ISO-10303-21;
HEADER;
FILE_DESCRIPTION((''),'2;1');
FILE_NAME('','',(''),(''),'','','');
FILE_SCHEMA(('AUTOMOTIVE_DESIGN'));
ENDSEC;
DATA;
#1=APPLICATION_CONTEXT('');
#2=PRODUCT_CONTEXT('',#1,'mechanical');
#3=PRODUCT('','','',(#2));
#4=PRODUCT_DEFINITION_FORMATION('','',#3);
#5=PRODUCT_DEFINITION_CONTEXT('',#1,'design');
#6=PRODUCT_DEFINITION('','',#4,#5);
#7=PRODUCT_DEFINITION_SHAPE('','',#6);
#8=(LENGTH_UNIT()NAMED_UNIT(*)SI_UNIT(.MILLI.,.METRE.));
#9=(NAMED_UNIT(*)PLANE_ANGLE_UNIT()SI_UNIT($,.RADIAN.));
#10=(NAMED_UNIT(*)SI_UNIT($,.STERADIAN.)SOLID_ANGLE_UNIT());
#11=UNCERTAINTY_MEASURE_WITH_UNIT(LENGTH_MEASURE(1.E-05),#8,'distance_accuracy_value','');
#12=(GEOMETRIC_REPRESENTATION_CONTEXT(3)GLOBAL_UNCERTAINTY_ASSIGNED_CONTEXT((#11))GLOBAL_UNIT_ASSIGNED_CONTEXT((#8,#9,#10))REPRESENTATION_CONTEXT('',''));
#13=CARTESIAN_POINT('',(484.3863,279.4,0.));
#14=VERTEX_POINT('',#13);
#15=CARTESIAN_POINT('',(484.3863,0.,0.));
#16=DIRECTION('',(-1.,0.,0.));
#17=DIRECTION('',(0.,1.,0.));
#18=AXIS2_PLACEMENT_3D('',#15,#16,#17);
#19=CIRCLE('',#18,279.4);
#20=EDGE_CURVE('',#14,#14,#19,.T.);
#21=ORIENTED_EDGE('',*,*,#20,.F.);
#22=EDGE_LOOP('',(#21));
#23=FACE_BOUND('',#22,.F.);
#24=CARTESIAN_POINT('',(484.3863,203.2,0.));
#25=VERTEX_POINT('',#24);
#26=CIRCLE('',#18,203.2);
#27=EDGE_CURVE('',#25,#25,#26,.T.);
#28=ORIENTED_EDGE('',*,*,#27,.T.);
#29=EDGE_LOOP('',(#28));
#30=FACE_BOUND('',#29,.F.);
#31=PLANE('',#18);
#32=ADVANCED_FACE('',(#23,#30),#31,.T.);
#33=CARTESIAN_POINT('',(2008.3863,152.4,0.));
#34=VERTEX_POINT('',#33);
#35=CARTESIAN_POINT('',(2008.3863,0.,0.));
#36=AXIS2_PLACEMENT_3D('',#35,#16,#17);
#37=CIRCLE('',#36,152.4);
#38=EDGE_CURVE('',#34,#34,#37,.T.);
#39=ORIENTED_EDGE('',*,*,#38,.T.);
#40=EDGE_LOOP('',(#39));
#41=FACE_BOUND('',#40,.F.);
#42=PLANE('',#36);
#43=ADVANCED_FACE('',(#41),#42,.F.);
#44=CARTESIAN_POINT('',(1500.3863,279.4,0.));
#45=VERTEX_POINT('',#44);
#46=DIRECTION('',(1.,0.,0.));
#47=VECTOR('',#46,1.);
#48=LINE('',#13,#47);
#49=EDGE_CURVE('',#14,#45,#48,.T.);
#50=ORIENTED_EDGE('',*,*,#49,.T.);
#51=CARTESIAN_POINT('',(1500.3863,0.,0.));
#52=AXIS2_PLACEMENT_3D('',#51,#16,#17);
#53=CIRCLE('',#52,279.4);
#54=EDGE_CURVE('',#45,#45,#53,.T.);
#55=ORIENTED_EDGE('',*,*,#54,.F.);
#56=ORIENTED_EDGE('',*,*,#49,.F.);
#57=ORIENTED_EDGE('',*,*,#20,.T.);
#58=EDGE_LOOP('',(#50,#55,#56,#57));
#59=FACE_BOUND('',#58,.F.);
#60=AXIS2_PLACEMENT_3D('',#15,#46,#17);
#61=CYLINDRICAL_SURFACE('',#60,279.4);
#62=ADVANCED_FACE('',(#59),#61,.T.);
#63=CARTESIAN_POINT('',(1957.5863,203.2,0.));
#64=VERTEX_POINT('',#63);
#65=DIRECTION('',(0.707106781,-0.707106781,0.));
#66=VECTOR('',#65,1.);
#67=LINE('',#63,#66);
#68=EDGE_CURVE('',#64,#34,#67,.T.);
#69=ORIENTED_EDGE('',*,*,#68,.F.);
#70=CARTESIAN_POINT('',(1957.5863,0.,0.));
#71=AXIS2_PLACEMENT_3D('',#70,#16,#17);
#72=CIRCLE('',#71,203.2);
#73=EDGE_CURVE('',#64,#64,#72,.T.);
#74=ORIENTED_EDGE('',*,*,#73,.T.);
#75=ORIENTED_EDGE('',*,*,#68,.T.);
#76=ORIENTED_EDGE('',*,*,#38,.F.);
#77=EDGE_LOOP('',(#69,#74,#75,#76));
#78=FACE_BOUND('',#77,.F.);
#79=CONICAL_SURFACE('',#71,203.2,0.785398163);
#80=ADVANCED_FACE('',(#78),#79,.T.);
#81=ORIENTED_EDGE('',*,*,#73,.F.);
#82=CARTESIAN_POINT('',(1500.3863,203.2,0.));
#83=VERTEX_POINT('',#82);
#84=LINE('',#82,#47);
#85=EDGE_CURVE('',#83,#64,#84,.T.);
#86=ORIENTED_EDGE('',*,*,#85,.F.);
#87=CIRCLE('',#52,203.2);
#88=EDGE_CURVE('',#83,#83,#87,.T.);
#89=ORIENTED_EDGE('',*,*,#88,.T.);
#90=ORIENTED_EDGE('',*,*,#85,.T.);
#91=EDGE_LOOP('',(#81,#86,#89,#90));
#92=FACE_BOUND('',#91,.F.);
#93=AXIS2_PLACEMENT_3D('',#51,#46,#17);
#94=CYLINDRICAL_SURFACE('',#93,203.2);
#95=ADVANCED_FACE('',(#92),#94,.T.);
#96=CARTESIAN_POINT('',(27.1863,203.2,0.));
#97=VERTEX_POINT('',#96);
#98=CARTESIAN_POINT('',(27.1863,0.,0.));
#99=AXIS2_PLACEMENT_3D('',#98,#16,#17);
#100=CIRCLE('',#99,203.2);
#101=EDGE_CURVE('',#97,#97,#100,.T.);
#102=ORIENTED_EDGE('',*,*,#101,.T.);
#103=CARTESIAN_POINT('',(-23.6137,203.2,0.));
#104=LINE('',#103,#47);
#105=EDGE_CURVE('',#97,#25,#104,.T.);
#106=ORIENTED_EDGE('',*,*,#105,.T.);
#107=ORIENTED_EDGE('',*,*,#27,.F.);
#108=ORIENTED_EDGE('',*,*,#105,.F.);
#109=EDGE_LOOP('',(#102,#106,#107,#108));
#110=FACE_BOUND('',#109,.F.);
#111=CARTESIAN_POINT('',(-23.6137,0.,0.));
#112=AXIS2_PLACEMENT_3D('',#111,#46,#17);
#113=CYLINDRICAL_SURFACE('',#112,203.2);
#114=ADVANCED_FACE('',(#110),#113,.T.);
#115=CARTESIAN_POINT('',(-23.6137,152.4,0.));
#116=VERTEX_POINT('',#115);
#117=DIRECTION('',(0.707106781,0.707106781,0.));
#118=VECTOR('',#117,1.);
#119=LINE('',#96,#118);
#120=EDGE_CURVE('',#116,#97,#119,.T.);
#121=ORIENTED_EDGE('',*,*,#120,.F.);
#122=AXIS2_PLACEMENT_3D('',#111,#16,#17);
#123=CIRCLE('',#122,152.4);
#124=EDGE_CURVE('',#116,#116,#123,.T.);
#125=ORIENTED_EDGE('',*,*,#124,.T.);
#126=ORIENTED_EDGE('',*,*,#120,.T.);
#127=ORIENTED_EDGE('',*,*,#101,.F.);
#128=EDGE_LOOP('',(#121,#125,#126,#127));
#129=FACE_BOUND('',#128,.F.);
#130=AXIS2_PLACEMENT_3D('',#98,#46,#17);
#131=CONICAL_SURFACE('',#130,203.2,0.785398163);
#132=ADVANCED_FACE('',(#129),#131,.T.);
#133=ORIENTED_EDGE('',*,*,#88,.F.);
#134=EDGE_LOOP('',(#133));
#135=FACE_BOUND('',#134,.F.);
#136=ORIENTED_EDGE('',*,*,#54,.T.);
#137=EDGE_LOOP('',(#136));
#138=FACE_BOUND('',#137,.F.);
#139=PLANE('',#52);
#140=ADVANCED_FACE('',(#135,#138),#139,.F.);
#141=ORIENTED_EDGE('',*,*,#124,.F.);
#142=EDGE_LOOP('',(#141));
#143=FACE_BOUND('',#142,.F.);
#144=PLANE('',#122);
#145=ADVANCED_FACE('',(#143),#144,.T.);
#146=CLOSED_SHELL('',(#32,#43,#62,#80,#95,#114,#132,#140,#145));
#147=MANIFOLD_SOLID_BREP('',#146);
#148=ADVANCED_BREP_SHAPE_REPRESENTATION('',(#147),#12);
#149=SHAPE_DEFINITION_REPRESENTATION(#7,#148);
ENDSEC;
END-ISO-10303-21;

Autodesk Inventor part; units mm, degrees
ref_plane "YZ Plane" through (0, 0, 0) normal (1, 0, 0) x (0, 1, 0)
ref_plane "XZ Plane" through (0, 0, 0) normal (0, 1, 0) x (-1, 0, 0)
ref_plane "XY Plane" through (0, 0, 0) normal (0, 0, 1) x (1, 0, 0)
sketch "Sketch1" plane through (0, 0, 0) normal (0, 0, 1) x (1, 0, 0)
  line L0 (-23.6137, 0) -> (-23.6137, 203.2)
  line L1 (-23.6137, 203.2) -> (484.3863, 203.2)
  line L2 (484.3863, 203.2) -> (484.3863, 279.4)
  line L3 (484.3863, 279.4) -> (1500.3863, 279.4)
  line L4 (1500.3863, 279.4) -> (1500.3863, 203.2)
  line L5 (1500.3863, 203.2) -> (2008.3863, 203.2)
  line L6 (2008.3863, 203.2) -> (2008.3863, 0)
  line L7 (2008.3863, 0) -> (-23.6137, 0)
  point P0 (0, 0)
  dimension "d0" = 203.2
  dimension "d1" = 508
  dimension "d2" = 76.2
  dimension "d3" = 1016
  dimension "d4" = 76.2
  dimension "d5" = 508
revolve "Revolution1" add sketch "Sketch1" angle 360 about axis through (2008.3863, 0, 0) along (-1, 0, 0)
chamfer "Chamfer1" distance 50.8 angle 45 2 edges at (-23.6137, -203.2, 0) (2008.3863, -203.2, 0)
properties part number "axle"
